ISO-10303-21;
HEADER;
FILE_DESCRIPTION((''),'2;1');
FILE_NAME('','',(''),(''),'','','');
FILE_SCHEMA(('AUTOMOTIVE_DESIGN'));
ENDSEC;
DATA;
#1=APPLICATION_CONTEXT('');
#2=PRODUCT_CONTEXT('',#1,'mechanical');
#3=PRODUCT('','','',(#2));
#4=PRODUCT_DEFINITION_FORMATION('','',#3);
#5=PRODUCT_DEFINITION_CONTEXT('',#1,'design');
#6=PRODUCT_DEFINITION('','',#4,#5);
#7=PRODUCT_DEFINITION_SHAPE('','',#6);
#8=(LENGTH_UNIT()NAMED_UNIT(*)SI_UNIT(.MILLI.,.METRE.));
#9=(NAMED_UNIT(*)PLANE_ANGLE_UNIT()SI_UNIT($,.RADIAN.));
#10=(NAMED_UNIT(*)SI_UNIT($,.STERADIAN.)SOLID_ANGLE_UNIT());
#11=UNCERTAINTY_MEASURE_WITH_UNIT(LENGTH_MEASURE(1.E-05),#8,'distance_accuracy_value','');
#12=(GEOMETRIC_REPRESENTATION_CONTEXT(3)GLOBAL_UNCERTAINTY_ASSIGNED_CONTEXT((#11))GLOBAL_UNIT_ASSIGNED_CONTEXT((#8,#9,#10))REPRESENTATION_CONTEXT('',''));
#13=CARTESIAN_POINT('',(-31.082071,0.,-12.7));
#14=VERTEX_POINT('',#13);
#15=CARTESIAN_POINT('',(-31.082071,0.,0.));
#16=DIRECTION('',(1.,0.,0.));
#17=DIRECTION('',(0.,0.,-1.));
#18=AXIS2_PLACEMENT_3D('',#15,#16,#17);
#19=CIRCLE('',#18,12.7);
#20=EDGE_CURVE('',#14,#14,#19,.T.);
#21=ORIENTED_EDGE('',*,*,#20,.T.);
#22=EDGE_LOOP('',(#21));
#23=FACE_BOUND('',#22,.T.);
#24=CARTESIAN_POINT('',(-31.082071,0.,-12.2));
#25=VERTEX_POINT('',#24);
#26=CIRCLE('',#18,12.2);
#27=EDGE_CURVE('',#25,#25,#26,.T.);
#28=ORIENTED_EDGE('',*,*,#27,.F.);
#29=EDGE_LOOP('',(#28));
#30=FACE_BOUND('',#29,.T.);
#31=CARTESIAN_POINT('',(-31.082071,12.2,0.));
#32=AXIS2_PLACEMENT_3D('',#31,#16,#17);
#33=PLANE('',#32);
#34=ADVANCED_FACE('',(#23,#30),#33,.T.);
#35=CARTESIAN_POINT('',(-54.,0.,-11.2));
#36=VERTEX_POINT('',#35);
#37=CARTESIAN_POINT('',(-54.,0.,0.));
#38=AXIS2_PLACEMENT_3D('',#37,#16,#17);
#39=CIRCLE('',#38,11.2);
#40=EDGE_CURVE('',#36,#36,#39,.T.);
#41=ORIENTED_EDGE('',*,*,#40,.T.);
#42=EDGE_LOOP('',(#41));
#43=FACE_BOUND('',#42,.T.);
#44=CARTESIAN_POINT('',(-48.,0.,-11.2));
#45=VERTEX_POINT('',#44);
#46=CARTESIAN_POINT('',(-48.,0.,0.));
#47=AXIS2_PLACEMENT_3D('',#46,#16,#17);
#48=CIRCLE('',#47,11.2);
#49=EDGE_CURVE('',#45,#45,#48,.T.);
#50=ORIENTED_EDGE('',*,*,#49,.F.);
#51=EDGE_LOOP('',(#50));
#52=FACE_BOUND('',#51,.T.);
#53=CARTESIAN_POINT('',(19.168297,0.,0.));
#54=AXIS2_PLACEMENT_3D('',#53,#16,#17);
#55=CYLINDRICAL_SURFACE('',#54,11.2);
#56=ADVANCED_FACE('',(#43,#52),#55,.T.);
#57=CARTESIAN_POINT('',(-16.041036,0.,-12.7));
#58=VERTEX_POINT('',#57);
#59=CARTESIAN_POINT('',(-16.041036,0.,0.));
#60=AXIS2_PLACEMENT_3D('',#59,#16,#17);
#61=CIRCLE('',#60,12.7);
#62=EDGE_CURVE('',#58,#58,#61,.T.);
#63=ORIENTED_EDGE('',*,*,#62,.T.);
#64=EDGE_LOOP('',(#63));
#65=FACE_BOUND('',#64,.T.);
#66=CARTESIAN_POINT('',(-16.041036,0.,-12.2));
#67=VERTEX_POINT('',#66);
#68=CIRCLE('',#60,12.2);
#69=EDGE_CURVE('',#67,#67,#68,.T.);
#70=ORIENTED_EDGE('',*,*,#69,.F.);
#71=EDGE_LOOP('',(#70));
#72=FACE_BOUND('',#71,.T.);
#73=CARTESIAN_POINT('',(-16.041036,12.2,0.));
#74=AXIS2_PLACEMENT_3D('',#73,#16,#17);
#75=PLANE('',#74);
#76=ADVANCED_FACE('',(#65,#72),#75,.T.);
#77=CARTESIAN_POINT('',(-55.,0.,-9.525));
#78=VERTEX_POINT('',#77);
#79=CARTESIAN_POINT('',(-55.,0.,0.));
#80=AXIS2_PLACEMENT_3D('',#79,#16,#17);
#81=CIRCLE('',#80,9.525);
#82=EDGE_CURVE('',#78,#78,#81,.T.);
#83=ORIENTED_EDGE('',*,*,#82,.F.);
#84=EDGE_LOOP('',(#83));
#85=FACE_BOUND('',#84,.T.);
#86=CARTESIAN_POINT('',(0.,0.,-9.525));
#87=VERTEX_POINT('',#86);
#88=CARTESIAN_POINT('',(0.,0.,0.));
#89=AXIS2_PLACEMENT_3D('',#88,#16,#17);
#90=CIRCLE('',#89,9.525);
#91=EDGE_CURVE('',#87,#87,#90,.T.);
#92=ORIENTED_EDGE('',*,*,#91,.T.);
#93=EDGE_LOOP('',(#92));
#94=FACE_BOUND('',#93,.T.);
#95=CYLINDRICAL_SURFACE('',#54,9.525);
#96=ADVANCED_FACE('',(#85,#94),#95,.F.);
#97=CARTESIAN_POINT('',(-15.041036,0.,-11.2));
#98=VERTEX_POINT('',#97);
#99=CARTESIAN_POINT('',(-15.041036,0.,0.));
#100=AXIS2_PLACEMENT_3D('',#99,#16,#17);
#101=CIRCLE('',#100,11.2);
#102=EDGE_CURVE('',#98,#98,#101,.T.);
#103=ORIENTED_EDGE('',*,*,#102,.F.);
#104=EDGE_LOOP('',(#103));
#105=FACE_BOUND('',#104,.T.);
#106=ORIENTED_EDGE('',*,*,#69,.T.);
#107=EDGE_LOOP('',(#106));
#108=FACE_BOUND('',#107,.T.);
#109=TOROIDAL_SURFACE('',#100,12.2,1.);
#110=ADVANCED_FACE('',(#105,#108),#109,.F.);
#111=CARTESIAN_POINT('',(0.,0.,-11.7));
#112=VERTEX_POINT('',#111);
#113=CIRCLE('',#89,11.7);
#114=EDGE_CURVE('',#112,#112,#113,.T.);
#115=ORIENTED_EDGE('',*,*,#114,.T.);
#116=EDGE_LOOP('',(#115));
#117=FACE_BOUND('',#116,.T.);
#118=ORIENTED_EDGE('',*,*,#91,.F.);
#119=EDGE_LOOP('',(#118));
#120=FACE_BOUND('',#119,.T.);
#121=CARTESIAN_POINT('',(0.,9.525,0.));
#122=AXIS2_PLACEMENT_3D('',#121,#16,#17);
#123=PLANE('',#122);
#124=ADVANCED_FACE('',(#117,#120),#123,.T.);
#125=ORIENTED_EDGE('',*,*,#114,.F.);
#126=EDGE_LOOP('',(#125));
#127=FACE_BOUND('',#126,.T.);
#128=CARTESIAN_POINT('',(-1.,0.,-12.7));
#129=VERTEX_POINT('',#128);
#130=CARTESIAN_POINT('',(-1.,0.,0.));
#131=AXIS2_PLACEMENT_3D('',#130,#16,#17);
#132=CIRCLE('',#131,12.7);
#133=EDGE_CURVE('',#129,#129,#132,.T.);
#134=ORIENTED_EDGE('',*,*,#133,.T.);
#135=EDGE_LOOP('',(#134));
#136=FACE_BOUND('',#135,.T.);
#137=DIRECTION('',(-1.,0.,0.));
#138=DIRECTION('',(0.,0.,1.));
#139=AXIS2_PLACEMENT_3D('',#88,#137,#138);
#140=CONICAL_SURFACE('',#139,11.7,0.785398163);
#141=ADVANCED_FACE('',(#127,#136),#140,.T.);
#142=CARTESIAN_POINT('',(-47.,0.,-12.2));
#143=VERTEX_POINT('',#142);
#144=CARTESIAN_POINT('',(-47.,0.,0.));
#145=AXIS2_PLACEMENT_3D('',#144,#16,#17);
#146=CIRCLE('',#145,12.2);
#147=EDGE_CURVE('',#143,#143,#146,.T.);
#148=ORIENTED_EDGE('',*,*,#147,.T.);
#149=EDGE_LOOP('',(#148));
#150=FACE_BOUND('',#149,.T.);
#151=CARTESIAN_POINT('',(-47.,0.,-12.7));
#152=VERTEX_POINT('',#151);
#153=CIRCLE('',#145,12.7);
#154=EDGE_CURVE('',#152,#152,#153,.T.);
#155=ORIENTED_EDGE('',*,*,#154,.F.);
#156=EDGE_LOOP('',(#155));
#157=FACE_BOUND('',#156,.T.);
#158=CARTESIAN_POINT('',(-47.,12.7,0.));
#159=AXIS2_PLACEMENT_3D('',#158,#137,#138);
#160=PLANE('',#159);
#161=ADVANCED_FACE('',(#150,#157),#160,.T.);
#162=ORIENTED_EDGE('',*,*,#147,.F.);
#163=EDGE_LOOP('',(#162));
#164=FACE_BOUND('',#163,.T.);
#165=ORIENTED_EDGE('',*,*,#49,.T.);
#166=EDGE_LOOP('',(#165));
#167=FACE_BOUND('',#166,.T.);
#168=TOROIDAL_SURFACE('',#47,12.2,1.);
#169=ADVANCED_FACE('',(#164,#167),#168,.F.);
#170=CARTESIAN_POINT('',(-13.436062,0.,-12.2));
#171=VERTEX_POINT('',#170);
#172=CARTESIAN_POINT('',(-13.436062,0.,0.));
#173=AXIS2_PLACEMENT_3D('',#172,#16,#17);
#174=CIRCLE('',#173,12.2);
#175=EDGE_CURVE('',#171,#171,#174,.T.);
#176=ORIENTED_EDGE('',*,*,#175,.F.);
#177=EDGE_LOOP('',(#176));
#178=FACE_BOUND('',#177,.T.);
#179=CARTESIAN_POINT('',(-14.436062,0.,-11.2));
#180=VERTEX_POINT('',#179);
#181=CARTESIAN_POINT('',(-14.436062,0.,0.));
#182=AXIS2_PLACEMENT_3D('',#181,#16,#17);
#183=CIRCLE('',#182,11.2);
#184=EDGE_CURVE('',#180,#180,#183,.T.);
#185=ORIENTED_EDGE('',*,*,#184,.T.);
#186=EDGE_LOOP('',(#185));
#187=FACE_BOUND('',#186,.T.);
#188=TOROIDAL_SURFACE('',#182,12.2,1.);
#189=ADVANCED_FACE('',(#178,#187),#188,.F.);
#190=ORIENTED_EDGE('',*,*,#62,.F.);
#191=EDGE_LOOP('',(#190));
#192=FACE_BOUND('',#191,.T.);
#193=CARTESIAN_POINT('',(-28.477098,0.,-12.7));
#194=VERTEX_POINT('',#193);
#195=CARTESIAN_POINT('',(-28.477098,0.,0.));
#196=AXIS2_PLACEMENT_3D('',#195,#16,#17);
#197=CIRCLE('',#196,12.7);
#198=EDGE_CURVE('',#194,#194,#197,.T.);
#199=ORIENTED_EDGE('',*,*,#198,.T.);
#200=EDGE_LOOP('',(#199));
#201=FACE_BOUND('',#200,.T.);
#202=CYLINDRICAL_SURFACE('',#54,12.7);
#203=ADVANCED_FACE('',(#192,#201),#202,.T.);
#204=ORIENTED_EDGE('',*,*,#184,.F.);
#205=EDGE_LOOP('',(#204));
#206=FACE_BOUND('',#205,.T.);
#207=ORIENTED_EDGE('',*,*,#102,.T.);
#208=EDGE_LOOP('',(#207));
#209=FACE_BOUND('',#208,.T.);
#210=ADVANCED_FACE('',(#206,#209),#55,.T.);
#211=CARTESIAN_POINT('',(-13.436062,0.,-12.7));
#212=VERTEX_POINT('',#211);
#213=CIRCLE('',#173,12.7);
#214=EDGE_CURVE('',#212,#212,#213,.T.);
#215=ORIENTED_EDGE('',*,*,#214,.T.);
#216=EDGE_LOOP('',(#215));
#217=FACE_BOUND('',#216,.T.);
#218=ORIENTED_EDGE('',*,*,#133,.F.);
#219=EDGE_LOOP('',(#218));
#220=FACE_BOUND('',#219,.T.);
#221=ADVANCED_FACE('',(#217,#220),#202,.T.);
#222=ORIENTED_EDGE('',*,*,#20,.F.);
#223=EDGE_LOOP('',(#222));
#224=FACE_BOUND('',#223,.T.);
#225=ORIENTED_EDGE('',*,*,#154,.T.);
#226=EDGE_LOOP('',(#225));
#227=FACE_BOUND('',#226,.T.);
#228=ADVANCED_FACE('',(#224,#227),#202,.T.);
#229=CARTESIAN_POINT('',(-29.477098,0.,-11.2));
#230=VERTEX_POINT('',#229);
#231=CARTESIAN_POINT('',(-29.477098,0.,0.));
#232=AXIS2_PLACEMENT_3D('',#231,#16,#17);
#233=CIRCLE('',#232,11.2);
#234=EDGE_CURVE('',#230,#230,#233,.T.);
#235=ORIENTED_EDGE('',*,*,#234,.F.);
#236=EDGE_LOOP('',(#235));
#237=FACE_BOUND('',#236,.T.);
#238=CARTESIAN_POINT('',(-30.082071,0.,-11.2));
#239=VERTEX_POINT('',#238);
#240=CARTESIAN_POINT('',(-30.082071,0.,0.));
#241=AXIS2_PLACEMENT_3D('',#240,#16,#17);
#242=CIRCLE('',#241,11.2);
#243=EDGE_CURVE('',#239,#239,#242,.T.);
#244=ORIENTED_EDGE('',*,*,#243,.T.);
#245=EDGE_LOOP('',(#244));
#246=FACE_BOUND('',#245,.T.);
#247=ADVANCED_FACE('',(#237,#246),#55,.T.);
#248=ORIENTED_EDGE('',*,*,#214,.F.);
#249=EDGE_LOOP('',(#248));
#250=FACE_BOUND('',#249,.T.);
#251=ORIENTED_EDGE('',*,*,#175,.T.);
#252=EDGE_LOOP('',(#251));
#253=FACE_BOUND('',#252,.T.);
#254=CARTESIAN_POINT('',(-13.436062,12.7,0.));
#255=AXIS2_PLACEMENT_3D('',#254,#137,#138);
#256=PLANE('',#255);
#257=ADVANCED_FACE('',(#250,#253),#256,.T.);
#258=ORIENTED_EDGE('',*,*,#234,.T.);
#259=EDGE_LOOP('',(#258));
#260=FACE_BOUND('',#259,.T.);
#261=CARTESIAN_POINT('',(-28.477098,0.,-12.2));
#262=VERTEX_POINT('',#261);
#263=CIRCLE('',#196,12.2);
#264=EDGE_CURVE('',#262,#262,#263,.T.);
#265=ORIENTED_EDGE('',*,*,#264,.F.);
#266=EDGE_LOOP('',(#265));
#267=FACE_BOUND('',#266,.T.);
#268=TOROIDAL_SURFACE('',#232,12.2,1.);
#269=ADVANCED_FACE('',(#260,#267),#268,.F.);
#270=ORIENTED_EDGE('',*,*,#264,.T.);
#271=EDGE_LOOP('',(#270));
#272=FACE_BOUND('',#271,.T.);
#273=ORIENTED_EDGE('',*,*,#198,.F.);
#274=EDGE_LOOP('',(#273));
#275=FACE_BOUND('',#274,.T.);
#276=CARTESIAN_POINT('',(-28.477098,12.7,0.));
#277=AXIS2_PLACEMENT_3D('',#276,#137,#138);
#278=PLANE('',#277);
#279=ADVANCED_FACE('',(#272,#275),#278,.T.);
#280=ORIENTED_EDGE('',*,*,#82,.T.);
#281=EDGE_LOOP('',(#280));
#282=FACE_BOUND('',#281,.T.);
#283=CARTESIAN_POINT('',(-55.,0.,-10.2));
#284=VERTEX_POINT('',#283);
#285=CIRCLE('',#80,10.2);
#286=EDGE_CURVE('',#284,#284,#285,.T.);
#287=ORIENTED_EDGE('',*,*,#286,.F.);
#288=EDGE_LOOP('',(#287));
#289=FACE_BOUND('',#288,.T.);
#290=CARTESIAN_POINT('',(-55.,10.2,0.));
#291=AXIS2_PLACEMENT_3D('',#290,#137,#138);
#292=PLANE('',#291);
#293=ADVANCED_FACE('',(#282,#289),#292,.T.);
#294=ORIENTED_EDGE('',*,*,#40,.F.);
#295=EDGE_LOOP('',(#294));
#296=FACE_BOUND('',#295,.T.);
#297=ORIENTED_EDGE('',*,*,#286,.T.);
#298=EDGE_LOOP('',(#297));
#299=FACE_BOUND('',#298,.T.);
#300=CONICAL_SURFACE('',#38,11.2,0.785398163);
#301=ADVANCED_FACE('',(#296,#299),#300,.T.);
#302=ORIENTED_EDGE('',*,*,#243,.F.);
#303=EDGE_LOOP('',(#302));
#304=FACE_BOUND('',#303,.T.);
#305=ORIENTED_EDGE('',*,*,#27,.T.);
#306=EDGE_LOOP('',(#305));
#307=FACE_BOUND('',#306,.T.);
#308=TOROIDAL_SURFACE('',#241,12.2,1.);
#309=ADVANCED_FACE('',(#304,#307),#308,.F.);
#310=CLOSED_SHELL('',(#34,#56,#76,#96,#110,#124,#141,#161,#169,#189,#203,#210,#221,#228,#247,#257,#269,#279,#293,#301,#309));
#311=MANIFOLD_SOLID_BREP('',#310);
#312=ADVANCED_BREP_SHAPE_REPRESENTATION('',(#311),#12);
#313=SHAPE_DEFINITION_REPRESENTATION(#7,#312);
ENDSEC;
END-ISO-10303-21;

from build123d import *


with BuildPart() as part:
    # Sketch1 → Revolve1 (revolve)
    with BuildSketch(Plane.XY):
        with BuildLine():
            Line((0, 9.525), (-55, 9.525))
            Line((-55, 9.525), (-55, 10.2))
            Line((-55, 10.2), (-54, 11.2))
            Line((-54, 11.2), (-48, 11.2))
            ThreePointArc((-48, 11.2), (-47.292893219, 11.492893219), (-47, 12.2))
            Line((-47, 12.2), (-47, 12.7))
            Line((-47, 12.7), (-31.08207122, 12.7))
            Line((-31.08207122, 12.7), (-31.08207122, 12.2))
            ThreePointArc((-31.08207122, 12.2), (-30.789178001, 11.492893219), (-30.08207122, 11.2))
            Line((-30.08207122, 11.2), (-29.477097815, 11.2))
            ThreePointArc((-29.477097815, 11.2), (-28.769991033, 11.492893219), (-28.477097815, 12.2))
            Line((-28.477097815, 12.2), (-28.477097815, 12.7))
            Line((-28.477097815, 12.7), (-16.04103561, 12.7))
            Line((-16.04103561, 12.7), (-16.04103561, 12.2))
            ThreePointArc((-16.04103561, 12.2), (-15.748142391, 11.492893219), (-15.04103561, 11.2))
            Line((-15.04103561, 11.2), (-14.436062205, 11.2))
            ThreePointArc((-14.436062205, 11.2), (-13.728955423, 11.492893219), (-13.436062205, 12.2))
            Line((-13.436062205, 12.2), (-13.436062205, 12.7))
            Line((-13.436062205, 12.7), (-1, 12.7))
            Line((-1, 12.7), (0, 11.7))
            Line((0, 11.7), (0, 9.525))
        make_face()
    revolve(axis=Axis((19.168296655, 0, 0), (-1, 0, 0)))


solid = part.part
